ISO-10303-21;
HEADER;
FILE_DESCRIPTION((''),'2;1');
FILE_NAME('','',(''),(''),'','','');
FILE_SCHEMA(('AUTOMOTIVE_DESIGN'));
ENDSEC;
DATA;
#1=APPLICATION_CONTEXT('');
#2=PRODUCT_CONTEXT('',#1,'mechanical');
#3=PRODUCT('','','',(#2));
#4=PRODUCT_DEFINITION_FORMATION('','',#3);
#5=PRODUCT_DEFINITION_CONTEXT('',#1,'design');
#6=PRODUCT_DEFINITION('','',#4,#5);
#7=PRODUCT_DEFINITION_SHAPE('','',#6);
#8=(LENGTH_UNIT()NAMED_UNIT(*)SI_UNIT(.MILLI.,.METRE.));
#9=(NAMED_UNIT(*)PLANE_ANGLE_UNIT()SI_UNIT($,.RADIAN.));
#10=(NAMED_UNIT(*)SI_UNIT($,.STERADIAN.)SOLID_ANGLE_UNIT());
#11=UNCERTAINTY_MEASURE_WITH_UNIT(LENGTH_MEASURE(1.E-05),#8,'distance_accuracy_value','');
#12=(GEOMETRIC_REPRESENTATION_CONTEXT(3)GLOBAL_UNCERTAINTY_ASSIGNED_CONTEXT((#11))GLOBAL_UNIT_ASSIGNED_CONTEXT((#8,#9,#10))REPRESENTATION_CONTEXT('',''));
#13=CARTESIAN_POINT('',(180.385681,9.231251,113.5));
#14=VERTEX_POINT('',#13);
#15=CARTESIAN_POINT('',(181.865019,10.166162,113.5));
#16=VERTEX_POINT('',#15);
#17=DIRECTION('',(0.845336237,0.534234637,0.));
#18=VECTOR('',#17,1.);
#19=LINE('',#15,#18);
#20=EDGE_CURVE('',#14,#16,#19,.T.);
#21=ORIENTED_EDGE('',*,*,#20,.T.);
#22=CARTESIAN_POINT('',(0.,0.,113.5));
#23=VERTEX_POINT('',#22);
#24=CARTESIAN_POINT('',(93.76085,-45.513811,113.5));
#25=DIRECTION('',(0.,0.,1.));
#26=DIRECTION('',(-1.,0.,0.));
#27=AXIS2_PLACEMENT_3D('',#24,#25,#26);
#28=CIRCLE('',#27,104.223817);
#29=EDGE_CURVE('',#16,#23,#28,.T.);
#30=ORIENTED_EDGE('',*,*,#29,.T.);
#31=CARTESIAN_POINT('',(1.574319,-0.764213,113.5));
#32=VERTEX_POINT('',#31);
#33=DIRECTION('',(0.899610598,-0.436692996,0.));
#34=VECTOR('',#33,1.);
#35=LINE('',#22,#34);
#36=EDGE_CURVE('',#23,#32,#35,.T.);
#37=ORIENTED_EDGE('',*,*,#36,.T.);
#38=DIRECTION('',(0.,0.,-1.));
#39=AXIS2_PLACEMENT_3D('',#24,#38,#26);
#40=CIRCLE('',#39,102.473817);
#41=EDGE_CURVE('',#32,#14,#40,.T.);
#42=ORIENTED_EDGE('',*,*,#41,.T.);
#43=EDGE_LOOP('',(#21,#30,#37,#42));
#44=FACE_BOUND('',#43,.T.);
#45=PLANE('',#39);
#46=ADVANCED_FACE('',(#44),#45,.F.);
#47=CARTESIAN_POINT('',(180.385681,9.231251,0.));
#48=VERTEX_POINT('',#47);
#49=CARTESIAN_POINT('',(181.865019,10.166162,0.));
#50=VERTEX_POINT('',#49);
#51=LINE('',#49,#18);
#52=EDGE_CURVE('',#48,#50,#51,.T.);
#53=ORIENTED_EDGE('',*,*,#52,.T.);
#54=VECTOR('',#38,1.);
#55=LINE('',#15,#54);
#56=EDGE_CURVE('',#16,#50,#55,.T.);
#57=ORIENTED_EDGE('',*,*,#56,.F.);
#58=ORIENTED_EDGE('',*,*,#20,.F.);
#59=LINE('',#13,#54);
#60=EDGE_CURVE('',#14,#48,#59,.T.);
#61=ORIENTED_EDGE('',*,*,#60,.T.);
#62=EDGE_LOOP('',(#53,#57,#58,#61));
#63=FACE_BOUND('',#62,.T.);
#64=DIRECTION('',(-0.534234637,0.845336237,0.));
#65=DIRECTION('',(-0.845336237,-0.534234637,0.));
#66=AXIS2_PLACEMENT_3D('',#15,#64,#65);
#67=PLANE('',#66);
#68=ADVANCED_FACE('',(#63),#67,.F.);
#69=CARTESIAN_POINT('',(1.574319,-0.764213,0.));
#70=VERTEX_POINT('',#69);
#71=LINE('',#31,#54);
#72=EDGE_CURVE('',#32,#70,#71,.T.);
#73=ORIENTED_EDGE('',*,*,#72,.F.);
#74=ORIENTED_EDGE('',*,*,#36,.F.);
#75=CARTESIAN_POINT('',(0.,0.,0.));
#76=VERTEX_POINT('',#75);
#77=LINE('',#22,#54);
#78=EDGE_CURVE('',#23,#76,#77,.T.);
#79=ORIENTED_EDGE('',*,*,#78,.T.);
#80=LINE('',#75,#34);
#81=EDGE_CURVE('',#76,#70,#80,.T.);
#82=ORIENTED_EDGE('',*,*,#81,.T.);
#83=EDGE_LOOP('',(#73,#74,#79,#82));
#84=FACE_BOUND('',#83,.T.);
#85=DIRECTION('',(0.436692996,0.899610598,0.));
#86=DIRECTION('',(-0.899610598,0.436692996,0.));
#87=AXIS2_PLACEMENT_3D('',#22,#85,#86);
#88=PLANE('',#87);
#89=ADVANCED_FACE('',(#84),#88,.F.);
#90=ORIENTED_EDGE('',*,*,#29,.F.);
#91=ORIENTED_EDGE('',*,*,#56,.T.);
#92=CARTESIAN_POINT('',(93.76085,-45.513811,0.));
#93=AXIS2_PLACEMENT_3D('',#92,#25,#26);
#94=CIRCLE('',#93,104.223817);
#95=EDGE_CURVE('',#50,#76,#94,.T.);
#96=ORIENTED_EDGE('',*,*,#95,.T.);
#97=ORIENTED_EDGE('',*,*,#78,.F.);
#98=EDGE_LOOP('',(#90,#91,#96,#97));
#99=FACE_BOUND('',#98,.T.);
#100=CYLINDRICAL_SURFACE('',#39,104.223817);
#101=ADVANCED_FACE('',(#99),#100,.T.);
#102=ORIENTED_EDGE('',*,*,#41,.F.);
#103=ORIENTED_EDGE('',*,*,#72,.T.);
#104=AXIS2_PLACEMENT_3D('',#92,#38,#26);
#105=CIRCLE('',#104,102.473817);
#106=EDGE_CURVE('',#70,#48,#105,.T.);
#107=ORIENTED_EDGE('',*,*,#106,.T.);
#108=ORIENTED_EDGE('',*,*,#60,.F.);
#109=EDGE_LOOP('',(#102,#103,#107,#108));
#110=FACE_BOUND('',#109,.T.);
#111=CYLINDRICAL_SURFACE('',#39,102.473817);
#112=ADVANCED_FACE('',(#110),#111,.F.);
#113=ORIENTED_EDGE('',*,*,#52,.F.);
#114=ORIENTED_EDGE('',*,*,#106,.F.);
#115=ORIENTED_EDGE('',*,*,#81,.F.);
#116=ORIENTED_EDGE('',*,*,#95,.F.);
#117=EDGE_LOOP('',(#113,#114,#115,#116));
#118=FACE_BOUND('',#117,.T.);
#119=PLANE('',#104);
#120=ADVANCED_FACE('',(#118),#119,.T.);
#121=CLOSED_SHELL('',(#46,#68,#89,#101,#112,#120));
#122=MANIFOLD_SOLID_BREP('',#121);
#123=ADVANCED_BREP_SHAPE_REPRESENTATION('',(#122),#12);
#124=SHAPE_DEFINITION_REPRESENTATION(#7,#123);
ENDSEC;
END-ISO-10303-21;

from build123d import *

# Parameters (mm, degrees)
BOSS_EXTRUDE1_DEPTH = 113.5


with BuildPart() as part:
    # Sketch1 → Boss-Extrude1 (new body)
    with BuildSketch(Plane.XY):
        with BuildLine():
            Line((0, 0), (1.574318546, -0.764212743))
            ThreePointArc((1.574318546, -0.764212743), (88.041544603, 56.800277526), (180.385680751, 9.231251459))
            Line((180.385680751, 9.231251459), (181.865019166, 10.166162073))
            ThreePointArc((181.865019166, 10.166162073), (87.943872974, 58.547549758), (0, 0))
        make_face()
    extrude(amount=BOSS_EXTRUDE1_DEPTH)


solid = part.part
